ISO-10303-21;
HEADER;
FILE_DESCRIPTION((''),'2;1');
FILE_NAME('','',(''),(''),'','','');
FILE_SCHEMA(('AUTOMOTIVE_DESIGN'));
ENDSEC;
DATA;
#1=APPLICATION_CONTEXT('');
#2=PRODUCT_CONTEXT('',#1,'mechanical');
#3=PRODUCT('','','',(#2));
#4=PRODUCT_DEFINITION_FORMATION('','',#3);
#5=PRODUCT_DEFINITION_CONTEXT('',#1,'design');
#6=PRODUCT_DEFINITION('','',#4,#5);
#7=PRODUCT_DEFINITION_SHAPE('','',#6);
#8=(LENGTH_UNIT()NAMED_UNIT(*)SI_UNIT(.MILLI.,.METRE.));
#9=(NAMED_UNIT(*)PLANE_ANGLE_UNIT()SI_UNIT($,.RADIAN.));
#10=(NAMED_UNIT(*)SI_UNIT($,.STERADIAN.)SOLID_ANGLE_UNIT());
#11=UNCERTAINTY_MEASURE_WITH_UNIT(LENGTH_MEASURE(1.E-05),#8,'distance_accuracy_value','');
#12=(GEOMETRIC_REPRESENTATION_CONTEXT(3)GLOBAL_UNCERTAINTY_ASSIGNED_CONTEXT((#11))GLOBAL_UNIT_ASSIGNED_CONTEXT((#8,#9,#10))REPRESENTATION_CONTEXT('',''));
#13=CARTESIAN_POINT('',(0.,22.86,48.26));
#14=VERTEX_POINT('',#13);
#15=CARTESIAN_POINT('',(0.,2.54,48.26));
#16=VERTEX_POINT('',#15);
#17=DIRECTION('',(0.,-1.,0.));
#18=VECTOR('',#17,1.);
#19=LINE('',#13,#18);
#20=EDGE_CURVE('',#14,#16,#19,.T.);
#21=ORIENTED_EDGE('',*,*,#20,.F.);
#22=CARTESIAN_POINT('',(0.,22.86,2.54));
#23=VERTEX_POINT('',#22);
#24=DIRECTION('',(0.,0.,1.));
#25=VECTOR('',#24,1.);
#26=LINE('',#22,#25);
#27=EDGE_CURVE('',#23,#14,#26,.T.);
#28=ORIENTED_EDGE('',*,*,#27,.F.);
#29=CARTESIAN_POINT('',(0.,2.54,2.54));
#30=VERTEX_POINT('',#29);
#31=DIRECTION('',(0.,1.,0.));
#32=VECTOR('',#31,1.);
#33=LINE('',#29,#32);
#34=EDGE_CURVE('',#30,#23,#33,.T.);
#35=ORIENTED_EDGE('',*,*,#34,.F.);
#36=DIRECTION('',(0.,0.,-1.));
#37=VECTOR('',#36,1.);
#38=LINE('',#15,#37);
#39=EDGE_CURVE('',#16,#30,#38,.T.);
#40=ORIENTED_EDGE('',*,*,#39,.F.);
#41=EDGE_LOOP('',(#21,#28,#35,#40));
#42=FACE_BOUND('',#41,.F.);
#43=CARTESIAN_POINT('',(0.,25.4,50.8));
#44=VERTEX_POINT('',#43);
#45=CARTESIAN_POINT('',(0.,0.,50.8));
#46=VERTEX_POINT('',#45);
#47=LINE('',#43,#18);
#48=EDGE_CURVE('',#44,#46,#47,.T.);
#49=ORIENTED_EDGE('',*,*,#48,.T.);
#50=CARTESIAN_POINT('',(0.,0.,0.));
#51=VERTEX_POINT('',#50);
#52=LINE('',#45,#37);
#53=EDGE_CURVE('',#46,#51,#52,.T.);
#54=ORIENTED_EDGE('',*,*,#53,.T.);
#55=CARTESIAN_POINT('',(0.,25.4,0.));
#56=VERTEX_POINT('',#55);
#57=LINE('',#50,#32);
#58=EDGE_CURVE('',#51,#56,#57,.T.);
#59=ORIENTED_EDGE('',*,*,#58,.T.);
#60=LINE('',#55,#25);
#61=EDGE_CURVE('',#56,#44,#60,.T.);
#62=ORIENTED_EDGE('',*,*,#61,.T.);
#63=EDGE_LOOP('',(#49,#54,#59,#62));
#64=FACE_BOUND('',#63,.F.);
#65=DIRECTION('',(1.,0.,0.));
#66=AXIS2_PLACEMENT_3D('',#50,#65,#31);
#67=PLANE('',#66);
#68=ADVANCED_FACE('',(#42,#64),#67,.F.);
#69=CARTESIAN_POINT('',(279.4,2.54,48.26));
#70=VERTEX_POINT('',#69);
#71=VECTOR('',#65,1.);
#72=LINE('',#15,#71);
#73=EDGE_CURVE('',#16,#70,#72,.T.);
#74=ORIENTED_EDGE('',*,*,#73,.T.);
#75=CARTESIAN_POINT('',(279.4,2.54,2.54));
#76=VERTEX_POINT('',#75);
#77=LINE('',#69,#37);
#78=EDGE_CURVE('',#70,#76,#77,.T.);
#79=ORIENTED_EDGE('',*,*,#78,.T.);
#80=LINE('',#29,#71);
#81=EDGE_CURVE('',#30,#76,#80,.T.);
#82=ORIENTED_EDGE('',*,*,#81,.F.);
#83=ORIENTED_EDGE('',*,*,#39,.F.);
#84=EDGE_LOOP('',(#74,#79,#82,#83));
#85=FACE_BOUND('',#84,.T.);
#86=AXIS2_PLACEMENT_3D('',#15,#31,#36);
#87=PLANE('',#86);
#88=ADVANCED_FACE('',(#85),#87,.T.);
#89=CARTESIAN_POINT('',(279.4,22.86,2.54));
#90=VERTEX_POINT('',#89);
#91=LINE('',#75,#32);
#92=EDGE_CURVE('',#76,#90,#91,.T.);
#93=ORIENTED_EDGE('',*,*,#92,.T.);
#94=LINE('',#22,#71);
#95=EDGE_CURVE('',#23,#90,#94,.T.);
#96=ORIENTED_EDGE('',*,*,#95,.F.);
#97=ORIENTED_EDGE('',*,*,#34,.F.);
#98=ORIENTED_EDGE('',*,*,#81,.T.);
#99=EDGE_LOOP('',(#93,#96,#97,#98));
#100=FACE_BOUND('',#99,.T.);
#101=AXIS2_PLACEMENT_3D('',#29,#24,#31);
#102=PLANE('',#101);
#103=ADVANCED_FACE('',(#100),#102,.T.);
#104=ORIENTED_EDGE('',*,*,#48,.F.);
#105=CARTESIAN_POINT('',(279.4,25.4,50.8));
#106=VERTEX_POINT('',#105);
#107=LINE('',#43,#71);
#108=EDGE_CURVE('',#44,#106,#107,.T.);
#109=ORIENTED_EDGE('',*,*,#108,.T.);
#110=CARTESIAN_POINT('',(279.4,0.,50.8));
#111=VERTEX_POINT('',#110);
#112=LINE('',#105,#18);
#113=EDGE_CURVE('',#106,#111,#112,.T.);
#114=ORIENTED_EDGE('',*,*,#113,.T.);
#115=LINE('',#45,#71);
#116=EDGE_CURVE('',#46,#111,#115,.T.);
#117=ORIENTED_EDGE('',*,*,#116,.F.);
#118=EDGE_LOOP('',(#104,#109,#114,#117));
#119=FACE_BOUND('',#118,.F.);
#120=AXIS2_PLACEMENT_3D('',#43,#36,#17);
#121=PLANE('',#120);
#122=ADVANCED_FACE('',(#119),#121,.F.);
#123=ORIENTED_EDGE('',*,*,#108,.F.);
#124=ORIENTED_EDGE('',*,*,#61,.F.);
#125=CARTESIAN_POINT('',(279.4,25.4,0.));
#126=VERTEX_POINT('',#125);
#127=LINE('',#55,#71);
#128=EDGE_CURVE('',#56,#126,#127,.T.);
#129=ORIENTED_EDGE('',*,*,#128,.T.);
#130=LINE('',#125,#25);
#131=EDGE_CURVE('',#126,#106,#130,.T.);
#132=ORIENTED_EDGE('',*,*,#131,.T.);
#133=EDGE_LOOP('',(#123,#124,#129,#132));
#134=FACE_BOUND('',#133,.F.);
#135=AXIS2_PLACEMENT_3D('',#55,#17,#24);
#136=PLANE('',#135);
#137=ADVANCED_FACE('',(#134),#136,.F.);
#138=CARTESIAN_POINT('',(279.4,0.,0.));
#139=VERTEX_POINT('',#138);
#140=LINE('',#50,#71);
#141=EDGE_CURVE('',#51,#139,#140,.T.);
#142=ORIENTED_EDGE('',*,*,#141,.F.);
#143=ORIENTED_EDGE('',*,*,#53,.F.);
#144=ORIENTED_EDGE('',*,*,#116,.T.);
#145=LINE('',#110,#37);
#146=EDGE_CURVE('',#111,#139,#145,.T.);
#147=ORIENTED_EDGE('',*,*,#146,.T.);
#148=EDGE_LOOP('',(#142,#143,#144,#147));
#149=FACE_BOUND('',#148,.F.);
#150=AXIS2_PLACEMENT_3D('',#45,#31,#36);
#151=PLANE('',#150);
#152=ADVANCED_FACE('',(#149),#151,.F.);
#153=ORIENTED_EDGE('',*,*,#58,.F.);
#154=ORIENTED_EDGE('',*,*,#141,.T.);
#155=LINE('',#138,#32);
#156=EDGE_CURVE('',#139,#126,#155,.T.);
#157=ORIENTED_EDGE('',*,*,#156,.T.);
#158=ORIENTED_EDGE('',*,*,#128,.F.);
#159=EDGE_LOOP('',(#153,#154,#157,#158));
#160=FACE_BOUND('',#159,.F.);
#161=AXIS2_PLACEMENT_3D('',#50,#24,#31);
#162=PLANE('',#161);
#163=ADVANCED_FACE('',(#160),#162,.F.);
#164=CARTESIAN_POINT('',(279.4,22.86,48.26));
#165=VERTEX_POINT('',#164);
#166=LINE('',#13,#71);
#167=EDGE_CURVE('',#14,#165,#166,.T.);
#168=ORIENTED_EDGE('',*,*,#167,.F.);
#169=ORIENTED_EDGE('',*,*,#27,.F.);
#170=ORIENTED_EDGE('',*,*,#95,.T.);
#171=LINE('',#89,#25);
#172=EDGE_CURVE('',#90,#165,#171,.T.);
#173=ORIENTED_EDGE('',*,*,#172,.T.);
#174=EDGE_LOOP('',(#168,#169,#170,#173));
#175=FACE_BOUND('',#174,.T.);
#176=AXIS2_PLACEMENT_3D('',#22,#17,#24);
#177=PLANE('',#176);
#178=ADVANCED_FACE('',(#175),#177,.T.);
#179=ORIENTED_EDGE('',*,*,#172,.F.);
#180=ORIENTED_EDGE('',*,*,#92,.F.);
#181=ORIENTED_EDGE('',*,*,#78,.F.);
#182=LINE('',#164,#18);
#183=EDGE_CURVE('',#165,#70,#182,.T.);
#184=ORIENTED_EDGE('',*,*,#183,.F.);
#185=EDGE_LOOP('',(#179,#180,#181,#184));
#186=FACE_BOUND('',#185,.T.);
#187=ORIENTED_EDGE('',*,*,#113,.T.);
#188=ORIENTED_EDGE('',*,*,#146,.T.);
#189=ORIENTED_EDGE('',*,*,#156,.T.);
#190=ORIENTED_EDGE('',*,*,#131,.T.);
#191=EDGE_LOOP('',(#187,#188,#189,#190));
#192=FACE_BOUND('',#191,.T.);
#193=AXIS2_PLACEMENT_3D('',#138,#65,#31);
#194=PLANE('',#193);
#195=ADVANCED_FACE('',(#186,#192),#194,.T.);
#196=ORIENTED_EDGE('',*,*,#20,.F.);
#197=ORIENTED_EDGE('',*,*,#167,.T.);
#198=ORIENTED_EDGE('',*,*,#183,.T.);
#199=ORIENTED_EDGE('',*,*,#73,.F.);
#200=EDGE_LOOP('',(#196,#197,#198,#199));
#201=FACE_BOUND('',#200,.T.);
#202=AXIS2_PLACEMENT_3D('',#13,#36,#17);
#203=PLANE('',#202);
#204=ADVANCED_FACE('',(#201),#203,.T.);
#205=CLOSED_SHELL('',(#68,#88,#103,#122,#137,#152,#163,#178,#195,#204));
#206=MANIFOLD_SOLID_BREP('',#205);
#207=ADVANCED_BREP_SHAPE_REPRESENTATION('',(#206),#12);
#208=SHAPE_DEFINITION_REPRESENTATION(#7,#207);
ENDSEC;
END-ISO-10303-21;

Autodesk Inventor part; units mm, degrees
ref_plane "YZ Plane" through (0, 0, 0) normal (1, 0, 0) x (0, 1, 0)
ref_plane "XZ Plane" through (0, 0, 0) normal (0, 1, 0) x (-1, 0, 0)
ref_plane "XY Plane" through (0, 0, 0) normal (0, 0, 1) x (1, 0, 0)
sketch "Sketch2" plane through (0, 0, 0) normal (1, 0, 0) x (0, 1, 0)
  line L0 (0, 0) -> (25.4, 0)
  line L1 (25.4, 0) -> (25.4, 50.8)
  line L2 (25.4, 50.8) -> (0, 50.8)
  line L3 (0, 50.8) -> (0, 0)
  line L4 (22.86, 48.26) -> (2.54, 48.26)
  line L5 (2.54, 48.26) -> (2.54, 2.54)
  line L6 (2.54, 2.54) -> (22.86, 2.54)
  line L7 (22.86, 2.54) -> (22.86, 48.26)
  dimension "d4" = 50.8
  dimension "d5" = 25.4
  dimension "d6" = 2.54
  dimension "d7" = 2.54
  dimension "d8" = 2.54
  dimension "d9" = 2.54
extrude "Extrusion2" add sketch "Sketch2" along normal blind 279.4
equation "\"d7\" = d6"
equation "\"d8\" = d6"
equation "\"d9\" = d6"
properties part number "platform"
